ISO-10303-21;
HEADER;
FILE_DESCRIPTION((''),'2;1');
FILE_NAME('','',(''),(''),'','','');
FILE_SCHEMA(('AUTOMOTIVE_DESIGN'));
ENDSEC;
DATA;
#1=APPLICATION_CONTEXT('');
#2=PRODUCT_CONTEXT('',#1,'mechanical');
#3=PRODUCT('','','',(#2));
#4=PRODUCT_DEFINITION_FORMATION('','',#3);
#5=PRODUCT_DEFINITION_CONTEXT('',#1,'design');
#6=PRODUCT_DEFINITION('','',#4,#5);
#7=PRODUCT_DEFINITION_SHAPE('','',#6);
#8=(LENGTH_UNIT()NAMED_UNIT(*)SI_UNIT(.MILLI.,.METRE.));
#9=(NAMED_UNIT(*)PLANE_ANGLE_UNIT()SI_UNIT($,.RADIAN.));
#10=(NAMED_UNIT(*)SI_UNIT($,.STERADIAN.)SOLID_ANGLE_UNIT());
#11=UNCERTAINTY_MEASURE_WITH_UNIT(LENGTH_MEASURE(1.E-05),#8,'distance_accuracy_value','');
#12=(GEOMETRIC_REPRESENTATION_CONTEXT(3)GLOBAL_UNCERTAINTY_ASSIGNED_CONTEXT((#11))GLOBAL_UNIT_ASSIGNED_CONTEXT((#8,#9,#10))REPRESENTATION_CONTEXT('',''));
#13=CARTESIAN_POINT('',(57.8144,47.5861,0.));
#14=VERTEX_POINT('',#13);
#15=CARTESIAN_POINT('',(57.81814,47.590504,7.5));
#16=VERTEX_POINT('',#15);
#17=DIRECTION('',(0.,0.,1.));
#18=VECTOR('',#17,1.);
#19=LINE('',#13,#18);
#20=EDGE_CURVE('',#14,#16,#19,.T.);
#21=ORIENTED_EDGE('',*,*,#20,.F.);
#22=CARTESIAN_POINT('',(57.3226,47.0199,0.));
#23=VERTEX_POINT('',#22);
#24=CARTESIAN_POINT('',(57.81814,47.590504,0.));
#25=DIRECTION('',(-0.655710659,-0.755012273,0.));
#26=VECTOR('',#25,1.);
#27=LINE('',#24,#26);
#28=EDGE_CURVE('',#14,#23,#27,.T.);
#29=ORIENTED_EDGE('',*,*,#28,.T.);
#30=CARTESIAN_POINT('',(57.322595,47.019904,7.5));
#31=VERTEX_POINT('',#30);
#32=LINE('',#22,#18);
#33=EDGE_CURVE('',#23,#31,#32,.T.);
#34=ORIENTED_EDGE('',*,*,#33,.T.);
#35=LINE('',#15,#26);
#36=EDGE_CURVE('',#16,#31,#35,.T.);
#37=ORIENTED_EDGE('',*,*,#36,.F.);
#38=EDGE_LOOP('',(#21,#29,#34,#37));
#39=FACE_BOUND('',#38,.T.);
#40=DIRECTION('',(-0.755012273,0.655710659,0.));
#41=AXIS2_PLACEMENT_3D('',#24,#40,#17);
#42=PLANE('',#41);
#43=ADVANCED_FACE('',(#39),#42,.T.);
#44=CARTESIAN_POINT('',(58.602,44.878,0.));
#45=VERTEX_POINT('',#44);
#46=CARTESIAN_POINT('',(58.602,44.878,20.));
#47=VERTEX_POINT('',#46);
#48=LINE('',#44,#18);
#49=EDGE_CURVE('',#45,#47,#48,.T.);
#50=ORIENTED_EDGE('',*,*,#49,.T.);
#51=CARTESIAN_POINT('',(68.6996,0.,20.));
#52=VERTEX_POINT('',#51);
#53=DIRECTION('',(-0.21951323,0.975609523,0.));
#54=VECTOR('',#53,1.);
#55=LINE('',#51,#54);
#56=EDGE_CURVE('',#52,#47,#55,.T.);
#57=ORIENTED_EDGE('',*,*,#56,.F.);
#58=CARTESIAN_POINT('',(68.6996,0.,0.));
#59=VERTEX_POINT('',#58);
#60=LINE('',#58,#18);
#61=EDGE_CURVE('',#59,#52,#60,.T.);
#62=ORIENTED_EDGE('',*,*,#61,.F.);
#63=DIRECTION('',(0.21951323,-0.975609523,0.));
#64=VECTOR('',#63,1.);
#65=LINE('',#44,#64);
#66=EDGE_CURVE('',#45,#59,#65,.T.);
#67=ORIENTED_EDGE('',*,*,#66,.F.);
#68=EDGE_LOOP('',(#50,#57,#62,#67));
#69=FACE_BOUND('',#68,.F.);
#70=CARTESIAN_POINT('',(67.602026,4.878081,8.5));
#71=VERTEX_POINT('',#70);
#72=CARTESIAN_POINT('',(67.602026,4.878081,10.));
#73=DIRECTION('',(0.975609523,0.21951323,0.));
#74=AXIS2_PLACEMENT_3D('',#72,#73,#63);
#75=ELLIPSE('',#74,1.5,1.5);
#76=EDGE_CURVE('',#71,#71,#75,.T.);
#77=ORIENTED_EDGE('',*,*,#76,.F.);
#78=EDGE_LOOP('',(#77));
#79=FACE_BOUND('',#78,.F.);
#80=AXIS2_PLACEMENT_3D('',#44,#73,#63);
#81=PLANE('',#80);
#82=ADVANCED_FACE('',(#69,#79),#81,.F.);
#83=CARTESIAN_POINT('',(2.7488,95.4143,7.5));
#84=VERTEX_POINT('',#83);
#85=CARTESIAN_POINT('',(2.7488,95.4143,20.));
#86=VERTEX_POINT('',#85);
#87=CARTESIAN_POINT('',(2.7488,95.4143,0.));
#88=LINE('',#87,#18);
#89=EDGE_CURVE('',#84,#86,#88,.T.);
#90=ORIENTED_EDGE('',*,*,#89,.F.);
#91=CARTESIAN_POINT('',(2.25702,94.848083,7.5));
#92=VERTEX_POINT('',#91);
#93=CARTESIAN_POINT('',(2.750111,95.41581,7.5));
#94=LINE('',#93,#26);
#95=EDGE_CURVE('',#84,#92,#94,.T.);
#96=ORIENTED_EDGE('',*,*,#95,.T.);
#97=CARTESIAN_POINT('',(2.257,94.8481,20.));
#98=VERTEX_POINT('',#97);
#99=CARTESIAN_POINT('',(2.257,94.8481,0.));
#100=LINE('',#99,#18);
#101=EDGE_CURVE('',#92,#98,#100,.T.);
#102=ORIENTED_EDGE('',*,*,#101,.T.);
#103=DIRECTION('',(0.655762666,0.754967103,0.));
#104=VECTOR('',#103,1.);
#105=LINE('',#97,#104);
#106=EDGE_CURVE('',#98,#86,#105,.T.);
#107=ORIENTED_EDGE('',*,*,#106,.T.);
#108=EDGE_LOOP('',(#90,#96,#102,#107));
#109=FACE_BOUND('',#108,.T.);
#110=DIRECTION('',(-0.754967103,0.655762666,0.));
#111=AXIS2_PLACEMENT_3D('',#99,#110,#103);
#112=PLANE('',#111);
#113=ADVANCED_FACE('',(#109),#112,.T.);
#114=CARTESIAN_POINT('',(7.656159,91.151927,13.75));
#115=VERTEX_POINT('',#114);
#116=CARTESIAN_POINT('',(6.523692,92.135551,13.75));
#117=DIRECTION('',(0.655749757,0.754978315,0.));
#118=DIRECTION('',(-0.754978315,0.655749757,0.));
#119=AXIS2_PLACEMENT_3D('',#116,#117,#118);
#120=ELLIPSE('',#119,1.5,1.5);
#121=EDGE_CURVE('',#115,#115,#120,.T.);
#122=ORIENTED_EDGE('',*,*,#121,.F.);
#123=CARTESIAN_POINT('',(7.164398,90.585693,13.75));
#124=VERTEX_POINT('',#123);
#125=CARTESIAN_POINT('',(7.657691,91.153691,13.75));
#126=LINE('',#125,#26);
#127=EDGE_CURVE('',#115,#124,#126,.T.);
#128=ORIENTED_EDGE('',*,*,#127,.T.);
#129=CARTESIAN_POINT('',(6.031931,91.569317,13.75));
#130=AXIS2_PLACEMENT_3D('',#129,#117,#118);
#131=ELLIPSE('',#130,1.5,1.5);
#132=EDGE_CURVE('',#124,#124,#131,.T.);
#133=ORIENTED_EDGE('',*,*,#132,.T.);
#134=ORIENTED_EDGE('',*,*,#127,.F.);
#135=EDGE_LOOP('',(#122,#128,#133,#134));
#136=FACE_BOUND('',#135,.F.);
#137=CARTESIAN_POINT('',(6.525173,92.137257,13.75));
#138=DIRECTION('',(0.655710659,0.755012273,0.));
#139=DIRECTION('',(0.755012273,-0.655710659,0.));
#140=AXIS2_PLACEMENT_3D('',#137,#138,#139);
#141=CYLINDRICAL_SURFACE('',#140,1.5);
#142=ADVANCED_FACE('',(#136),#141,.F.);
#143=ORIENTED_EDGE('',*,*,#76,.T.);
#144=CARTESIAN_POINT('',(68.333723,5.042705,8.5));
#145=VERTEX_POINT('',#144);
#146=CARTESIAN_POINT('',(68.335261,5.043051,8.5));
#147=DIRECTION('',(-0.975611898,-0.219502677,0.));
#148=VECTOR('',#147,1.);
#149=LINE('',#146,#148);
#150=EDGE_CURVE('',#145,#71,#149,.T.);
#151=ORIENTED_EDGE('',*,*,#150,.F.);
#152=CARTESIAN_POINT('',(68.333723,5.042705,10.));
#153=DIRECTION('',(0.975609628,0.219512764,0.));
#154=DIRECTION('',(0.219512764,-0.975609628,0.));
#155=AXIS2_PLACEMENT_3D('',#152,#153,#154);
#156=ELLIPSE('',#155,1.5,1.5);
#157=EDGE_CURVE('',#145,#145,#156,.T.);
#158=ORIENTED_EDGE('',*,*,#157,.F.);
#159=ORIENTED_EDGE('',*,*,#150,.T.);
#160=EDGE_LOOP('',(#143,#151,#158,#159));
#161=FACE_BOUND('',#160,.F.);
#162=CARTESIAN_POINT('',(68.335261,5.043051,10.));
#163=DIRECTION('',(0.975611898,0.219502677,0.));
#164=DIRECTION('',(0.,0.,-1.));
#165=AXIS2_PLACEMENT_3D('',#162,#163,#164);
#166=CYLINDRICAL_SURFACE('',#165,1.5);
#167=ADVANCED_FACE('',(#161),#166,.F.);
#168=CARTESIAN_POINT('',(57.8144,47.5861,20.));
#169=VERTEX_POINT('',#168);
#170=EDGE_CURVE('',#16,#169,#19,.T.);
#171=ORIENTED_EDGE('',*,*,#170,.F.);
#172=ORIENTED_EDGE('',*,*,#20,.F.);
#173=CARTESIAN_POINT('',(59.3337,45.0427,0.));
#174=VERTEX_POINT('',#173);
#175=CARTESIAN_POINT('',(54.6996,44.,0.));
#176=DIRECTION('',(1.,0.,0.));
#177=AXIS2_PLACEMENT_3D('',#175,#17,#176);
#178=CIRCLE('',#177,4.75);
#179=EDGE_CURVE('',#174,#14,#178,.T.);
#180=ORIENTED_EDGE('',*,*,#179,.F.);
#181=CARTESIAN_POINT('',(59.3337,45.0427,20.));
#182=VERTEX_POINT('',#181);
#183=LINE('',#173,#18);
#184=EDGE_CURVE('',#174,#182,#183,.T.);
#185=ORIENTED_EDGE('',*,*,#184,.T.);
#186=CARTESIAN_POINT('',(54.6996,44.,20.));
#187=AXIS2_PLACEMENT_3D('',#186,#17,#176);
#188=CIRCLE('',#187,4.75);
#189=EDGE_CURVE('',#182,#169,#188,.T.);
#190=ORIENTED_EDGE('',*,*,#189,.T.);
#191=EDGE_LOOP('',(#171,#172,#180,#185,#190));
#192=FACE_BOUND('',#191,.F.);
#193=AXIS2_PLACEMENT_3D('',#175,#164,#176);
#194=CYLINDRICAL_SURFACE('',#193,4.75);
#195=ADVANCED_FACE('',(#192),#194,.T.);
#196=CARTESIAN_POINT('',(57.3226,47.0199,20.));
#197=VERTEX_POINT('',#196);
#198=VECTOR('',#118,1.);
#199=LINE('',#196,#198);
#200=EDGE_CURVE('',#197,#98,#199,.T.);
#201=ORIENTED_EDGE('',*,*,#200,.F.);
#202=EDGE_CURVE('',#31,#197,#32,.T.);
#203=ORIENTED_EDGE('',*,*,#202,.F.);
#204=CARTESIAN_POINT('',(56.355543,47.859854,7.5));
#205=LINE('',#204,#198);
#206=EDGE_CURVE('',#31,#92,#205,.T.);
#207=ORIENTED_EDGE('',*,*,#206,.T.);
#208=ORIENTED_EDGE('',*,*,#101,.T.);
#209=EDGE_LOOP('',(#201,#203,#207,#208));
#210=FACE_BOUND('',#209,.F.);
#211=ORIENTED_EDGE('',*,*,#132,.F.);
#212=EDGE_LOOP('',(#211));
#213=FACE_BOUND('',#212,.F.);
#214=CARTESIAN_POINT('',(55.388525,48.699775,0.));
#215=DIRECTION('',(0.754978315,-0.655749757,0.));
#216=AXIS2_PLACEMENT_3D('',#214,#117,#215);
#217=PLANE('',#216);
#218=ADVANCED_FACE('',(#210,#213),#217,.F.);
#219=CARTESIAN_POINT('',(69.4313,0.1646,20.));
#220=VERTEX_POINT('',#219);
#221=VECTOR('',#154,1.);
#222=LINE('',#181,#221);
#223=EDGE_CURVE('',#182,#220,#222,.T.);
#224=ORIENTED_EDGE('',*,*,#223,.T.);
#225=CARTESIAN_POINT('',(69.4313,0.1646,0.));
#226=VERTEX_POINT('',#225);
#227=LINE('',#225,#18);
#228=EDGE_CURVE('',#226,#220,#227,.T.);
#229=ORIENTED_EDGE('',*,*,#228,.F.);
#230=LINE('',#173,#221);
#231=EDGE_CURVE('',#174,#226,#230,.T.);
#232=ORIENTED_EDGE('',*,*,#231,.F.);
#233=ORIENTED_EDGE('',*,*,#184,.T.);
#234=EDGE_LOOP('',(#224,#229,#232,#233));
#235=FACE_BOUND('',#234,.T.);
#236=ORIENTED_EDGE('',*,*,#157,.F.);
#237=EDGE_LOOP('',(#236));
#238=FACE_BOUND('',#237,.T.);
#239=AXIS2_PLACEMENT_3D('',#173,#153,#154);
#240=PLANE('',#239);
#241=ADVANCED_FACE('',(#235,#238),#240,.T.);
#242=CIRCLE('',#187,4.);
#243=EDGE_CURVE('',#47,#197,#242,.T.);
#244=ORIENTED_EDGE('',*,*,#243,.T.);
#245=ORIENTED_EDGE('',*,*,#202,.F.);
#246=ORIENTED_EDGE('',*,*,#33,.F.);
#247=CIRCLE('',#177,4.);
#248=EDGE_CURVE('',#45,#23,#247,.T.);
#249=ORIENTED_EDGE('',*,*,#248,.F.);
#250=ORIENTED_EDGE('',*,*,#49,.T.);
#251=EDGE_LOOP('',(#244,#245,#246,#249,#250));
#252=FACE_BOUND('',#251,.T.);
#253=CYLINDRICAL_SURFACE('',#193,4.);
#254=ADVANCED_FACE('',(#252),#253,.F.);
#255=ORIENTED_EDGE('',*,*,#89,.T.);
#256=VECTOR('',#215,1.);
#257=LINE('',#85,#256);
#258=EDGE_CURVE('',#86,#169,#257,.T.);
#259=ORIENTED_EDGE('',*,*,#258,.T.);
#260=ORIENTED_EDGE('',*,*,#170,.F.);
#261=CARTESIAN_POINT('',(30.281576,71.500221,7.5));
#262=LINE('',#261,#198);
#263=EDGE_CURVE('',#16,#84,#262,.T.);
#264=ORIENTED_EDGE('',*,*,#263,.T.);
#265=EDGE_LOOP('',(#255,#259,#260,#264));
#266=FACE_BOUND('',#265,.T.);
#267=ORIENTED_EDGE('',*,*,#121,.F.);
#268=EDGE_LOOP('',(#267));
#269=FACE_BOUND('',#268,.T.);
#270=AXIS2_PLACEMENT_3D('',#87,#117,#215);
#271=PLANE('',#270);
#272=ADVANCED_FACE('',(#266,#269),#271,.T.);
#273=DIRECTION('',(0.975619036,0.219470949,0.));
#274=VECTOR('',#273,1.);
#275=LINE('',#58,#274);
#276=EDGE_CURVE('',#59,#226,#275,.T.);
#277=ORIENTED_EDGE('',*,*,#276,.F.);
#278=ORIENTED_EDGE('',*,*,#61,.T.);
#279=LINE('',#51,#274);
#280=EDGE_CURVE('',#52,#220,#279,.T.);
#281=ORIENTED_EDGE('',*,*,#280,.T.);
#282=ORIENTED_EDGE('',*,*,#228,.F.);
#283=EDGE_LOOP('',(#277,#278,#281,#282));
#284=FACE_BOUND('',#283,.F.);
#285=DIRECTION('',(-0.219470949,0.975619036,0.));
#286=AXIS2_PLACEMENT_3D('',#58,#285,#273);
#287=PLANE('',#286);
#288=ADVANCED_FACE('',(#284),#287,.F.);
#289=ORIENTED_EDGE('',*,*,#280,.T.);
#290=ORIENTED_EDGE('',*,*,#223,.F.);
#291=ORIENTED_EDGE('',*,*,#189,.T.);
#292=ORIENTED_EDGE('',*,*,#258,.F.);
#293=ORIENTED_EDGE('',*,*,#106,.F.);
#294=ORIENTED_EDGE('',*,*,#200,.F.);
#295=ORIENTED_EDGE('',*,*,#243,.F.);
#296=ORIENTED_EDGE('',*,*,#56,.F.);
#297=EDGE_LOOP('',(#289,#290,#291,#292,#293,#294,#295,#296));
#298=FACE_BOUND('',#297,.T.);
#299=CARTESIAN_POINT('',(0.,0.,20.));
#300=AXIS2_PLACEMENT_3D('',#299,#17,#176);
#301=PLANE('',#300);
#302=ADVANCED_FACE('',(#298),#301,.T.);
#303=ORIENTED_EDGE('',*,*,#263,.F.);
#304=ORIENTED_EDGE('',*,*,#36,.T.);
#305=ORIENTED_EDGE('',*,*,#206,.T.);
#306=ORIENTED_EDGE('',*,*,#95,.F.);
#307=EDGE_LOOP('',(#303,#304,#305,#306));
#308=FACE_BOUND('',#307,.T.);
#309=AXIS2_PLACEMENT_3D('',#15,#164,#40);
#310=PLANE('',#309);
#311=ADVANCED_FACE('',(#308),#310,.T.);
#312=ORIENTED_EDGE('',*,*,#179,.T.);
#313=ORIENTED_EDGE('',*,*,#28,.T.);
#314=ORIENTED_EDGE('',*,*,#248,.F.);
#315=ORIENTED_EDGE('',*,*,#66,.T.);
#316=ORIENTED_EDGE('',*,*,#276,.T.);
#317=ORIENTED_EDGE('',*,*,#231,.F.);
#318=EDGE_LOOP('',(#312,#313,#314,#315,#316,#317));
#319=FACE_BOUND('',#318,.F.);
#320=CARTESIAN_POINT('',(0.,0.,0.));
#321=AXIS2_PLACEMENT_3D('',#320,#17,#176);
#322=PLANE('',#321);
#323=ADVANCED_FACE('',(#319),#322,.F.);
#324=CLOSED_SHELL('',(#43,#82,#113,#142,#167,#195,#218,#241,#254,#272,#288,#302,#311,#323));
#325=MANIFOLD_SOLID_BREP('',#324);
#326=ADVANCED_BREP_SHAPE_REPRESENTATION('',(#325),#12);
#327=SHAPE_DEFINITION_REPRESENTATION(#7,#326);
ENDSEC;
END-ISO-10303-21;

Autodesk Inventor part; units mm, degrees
ref_plane "YZ Plane" through (0, 0, 0) normal (1, 0, 0) x (0, 1, 0)
ref_plane "XZ Plane" through (0, 0, 0) normal (0, 1, 0) x (-1, 0, 0)
ref_plane "XY Plane" through (0, 0, 0) normal (0, 0, 1) x (1, 0, 0)
sketch "スケッチ1" plane through (0, 0, 0) normal (0, 0, 1) x (1, 0, 0)
  circle A0 centre (54.6996, 44) radius 4
  line L0 (62.6996, 0) -> (65.6996, 0)
  circle A1 centre (-0.366, 91.8281) radius 4
  circle A2 centre (-0.366, 91.8281) radius 4
  circle A3 centre (54.6996, 44) radius 4
  line L1 (58.602, 44.878) -> (68.6996, 0)
  line L2 (2.257, 94.8481) -> (57.3226, 47.0199)
  line L3 (2.7488, 95.4143) -> (57.8144, 47.5861)
  line L4 (59.3337, 45.0427) -> (69.4313, 0.1646)
  circle A4 centre (54.6996, 44) radius 4.75
  line L5 (2.257, 94.8481) -> (2.7488, 95.4143)
  line L6 (68.6996, 0) -> (69.4313, 0.1646)
  point P0 (0, 0)
  dimension "d0" = 0.75
  dimension "d1" = 0.75
  dimension "d2" = 0.75
extrude "押し出し1" add sketch "スケッチ1" along normal blind 20 contours A0 L2 A4 L1 | A4 L4 L6 L1 | L2 L5 L3 A4 picked at (56.3248, 48.0683)
sketch "スケッチ2" plane through (2.7488, 95.4143, 20) normal (0.6557, 0.755, 0) x (0.755, -0.6557, 0)
  line L0 (72.9366, 20) -> (0, 20) projected
  line L1 (0, 20) -> (0, 0) projected
  line L2 (72.9366, 0) -> (0, 0) projected
  line L3 (72.9366, 20) -> (72.9366, 0) projected
  line L4 (5, 0) -> (5, 20)
  circle A0 centre (5, 6.25) radius 1.5
  line L5 (72.9366, 12.5) -> (0, 12.5)
  point P0 (60.4926, 20)
  dimension "d5" = 5
  dimension "d6" = 3
  dimension "d7" = 6.25
  dimension "d15" = 7.5
sketch "スケッチ3" plane through (59.3337, 45.0427, 20) normal (0.9756, 0.2195, 0) x (0, 0, -1)
  line L0 (20, -46) -> (20, 0) projected
  line L1 (20, 0) -> (0, 0) projected
  line L2 (0, -46) -> (0, 0) projected
  line L3 (20, -46) -> (0, -46) projected
  line L4 (0, -41) -> (20, -41)
  circle A0 centre (10, -41) radius 1.5
  point P0 (20, -30.9196)
  dimension "d8" = 5
  dimension "d9" = 3
  dimension "d10" = 10
extrude "押し出し2" cut sketch "スケッチ2" against normal blind 10 contours L3 L5 L4 L0 | L4 L5 L1 L0 | A0 L4 | L4 A0
extrude "押し出し3" cut sketch "スケッチ3" against normal blind 10 contours A0 L4 | L4 A0
properties part number "アームガードfull" material "ポリプロピレン"
